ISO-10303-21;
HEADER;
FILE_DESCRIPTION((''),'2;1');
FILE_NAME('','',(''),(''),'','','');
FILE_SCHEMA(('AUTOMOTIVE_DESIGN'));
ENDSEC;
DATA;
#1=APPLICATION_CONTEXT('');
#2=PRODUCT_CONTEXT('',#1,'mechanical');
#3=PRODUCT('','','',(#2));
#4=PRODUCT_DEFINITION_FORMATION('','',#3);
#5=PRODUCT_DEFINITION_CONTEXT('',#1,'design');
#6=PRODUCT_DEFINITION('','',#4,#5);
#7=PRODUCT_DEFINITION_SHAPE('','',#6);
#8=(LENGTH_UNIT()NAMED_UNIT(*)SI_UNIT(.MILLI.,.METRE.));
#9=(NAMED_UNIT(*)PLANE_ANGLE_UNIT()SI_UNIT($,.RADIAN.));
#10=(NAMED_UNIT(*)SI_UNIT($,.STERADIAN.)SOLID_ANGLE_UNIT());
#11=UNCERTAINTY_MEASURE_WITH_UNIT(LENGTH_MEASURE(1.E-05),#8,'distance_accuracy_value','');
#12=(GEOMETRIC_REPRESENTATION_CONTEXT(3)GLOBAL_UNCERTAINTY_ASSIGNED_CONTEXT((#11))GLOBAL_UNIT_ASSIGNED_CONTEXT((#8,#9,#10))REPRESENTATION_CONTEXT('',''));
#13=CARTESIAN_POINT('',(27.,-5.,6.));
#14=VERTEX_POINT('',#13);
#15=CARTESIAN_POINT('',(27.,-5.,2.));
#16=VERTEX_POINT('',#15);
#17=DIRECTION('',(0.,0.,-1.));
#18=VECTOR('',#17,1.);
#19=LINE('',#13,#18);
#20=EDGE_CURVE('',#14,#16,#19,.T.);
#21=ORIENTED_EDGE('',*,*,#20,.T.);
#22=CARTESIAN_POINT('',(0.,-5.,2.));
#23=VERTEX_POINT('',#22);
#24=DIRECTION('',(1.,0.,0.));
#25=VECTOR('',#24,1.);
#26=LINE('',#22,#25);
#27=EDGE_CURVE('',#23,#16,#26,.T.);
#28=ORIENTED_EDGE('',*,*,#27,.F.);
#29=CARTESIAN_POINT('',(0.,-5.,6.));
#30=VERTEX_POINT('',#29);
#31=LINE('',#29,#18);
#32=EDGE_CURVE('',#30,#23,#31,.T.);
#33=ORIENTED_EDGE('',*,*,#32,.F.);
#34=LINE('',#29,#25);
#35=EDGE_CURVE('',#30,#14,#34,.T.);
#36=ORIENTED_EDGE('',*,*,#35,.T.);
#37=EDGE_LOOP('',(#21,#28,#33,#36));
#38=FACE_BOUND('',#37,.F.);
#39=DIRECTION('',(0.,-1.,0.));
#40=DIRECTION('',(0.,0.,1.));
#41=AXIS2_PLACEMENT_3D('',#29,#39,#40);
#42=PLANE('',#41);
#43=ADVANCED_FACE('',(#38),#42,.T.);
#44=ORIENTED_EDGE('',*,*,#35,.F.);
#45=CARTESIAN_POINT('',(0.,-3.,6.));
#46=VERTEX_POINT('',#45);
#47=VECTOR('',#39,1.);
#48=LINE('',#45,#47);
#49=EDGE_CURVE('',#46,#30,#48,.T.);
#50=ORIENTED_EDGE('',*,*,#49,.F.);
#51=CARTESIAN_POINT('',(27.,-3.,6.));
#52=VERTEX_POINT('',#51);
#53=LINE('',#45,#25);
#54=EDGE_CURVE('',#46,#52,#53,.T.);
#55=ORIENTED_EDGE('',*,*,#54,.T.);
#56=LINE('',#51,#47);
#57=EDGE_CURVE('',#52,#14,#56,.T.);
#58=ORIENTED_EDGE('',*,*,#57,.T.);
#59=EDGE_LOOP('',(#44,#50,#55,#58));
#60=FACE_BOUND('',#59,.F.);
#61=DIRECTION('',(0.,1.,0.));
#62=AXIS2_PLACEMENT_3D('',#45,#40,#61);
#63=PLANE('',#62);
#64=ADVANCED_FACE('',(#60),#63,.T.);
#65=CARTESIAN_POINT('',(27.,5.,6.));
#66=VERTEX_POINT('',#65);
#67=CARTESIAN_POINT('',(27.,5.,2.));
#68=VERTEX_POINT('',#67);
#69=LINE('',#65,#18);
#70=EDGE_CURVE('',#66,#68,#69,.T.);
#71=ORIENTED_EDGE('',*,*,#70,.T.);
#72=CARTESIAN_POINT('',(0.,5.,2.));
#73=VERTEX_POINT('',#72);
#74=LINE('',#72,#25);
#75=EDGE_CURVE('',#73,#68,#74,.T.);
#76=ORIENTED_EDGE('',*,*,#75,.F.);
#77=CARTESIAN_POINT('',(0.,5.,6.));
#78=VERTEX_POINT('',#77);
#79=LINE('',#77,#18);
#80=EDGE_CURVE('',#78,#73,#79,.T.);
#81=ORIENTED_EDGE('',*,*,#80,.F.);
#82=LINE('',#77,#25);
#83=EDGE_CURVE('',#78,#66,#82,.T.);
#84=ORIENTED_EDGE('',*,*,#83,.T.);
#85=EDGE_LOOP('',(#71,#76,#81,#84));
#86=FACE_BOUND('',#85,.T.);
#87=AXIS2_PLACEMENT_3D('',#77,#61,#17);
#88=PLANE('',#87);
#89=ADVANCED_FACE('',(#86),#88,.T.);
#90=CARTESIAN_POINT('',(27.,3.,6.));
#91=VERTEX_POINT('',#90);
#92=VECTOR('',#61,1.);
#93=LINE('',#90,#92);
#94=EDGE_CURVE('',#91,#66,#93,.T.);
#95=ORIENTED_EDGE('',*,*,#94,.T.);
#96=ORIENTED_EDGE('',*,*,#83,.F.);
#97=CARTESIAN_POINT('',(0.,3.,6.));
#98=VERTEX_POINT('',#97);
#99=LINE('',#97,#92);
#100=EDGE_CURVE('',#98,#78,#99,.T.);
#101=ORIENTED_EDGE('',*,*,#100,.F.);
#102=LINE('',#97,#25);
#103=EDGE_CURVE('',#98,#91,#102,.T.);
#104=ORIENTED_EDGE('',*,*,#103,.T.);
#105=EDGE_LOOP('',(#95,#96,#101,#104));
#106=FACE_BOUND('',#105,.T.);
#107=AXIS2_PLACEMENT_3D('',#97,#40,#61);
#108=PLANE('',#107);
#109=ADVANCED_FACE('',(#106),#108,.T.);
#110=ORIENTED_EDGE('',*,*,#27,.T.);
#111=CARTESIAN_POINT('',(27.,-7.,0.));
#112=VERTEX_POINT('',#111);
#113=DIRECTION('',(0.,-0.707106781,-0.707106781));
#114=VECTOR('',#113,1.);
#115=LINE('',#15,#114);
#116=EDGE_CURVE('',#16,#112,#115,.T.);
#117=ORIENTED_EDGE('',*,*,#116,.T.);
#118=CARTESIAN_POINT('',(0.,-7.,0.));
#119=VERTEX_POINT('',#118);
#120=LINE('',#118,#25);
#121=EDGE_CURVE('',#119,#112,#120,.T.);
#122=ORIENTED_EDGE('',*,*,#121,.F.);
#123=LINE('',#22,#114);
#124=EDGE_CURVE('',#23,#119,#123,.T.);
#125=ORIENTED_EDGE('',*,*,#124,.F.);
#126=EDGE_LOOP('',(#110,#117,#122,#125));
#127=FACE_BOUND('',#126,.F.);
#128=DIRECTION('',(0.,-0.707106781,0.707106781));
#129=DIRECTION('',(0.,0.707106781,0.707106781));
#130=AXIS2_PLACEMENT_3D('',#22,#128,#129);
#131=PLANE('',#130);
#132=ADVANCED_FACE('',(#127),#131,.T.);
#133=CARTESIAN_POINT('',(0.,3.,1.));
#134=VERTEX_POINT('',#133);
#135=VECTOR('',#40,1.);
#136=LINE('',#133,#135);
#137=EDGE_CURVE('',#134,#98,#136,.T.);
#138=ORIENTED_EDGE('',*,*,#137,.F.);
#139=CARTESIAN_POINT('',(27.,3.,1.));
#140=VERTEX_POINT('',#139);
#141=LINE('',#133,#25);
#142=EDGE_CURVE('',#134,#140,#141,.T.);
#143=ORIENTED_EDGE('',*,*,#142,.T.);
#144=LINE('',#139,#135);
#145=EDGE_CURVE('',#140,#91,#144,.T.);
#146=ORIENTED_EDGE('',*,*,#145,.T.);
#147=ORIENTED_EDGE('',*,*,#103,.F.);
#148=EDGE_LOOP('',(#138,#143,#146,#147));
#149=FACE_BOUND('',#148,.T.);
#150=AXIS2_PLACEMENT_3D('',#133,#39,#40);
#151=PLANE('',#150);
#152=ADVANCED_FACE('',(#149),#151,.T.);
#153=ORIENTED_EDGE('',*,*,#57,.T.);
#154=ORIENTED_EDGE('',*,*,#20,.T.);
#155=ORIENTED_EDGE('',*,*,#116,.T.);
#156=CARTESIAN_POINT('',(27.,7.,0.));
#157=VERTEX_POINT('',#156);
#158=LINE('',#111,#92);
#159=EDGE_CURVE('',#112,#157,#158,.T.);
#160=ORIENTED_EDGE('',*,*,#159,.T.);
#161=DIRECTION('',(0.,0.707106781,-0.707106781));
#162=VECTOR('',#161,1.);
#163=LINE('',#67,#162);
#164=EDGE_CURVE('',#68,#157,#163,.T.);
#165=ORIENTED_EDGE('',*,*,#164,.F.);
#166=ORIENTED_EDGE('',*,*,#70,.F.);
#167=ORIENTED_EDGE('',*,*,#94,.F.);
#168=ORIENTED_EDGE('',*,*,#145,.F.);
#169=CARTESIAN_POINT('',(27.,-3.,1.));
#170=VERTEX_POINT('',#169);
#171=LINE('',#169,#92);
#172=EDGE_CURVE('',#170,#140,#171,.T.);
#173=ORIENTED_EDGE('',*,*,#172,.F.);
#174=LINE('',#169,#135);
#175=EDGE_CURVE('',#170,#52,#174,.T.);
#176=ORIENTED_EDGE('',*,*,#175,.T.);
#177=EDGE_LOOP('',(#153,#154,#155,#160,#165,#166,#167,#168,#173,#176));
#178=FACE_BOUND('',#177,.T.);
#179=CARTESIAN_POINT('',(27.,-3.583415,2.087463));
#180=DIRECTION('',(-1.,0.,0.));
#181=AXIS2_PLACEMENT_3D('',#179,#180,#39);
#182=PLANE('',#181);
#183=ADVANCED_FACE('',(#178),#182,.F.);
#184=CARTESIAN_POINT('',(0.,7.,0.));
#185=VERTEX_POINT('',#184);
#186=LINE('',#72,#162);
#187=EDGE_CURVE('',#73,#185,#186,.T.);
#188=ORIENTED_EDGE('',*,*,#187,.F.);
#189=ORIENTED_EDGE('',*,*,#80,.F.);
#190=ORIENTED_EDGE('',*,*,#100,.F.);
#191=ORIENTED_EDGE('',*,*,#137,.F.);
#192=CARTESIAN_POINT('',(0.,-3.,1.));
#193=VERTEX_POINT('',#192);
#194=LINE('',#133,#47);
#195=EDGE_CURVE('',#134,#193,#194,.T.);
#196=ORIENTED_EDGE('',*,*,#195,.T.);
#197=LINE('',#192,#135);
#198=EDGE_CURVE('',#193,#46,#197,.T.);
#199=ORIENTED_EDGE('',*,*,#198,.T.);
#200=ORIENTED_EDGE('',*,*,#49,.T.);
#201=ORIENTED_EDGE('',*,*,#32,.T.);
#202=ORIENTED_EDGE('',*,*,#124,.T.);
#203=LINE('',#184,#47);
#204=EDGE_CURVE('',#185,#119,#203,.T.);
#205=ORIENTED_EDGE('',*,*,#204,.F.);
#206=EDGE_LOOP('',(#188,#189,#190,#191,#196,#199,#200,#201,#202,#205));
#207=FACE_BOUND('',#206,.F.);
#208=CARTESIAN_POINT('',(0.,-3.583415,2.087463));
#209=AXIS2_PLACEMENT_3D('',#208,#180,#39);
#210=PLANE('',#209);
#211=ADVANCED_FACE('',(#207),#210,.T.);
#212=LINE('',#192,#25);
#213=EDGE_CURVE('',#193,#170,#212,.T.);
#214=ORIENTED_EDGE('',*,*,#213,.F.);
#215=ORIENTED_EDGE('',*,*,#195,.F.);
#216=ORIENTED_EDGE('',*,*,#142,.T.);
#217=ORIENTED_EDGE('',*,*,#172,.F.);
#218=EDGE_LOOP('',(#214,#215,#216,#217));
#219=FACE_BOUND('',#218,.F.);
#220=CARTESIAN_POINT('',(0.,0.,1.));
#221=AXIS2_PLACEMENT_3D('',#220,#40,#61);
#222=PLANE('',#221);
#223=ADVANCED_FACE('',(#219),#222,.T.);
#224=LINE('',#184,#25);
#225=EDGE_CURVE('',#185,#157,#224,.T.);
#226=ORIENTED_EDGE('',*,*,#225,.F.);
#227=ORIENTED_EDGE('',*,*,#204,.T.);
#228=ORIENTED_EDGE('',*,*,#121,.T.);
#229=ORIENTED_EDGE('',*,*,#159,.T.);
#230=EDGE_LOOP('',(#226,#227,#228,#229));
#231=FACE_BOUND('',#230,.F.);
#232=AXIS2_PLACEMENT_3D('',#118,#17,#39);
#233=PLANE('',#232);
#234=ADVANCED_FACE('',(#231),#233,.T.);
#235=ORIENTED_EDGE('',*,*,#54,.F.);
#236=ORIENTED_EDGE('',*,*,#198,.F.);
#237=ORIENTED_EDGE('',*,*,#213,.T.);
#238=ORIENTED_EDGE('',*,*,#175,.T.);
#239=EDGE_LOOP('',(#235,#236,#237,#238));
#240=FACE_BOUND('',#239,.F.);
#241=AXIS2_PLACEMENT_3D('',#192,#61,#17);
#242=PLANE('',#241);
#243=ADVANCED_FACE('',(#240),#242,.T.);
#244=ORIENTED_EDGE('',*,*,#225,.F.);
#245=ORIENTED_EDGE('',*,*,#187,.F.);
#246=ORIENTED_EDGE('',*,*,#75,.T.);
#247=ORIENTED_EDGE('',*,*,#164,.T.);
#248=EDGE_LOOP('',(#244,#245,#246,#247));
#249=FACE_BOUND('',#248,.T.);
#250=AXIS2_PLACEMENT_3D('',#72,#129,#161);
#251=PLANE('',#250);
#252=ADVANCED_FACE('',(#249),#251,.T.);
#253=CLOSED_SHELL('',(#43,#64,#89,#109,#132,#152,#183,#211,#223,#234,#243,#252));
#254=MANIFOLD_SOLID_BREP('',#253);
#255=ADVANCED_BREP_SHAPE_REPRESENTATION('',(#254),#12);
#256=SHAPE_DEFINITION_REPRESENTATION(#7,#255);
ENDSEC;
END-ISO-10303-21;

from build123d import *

# Parameters (mm, degrees)
PAD_DEPTH = 27


with BuildPart() as part:
    # Sketch → Pad (new body)
    with BuildSketch(Plane.YZ):
        Polygon((0, 0), (0, 1), (3, 1), (3, 6), (5, 6), (5, 2), (7, 0), align=None)
    pad = extrude(amount=PAD_DEPTH)

    # Mirrored: Pad across Sketch V_Axis
    add(pad.mirror(Plane(origin=(0, 0, 0), x_dir=(1, 0, 0), z_dir=(0, 1, 0))))


solid = part.part
